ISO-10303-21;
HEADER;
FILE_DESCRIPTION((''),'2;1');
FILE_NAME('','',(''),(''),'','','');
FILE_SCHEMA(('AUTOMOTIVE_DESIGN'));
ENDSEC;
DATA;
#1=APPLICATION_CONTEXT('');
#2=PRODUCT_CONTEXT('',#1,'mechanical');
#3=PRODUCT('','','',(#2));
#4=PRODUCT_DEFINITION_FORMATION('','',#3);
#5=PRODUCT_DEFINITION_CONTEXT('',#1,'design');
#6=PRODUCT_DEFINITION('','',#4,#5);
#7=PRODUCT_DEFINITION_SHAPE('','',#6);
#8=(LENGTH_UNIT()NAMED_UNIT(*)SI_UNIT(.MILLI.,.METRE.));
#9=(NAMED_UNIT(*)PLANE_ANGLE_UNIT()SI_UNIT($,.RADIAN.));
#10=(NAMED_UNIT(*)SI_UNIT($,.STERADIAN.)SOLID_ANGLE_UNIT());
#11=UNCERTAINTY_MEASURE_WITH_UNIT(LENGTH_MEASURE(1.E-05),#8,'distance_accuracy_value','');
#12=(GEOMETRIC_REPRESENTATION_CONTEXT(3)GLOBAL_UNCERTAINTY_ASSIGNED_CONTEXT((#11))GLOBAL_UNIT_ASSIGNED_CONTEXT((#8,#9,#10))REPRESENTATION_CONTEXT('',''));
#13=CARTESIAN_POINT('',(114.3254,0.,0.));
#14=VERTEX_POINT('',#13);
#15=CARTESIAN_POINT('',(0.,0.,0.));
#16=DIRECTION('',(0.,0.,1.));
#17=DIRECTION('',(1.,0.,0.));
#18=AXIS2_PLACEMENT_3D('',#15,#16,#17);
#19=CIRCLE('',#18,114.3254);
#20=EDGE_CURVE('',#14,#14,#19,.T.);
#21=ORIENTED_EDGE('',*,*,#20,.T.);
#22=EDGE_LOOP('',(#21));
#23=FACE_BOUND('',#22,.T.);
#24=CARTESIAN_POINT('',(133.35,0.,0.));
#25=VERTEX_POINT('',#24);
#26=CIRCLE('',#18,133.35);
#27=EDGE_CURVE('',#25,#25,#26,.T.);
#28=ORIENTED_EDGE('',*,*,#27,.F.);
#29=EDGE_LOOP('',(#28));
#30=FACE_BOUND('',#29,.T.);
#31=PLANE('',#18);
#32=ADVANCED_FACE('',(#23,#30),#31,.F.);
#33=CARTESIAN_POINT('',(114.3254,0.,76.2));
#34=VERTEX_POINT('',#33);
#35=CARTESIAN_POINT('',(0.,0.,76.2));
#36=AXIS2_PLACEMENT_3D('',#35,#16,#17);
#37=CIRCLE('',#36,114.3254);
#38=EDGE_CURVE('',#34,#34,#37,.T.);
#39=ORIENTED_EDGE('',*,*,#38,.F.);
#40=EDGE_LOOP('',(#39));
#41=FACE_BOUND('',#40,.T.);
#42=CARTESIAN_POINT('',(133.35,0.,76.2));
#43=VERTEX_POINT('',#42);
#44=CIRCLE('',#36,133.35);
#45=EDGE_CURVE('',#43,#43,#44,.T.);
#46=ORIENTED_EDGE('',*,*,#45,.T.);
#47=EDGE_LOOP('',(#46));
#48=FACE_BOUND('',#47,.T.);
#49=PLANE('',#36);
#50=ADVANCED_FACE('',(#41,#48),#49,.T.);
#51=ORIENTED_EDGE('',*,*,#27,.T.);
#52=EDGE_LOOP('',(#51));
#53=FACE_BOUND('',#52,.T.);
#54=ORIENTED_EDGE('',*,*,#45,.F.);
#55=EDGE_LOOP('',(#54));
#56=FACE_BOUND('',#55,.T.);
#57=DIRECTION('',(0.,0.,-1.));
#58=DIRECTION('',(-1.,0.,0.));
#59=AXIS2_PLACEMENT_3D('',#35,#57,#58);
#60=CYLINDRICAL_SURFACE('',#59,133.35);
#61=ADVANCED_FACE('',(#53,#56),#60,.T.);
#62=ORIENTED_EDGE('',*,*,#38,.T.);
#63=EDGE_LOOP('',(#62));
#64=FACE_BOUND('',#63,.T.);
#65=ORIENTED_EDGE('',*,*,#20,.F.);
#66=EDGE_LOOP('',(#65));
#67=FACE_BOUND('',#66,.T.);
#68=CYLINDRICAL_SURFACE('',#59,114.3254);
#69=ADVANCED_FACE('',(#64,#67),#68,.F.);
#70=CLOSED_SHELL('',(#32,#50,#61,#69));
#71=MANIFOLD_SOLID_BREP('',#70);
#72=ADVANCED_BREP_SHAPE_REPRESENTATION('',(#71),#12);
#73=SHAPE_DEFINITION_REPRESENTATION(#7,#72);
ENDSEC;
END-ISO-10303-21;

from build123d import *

# Parameters (mm, degrees)
SKETCH1_R           = 133.35
BOSS_EXTRUDE1_DEPTH = 76.2
SKETCH2_R           = 114.3254
CUT_EXTRUDE1_DEPTH  = 76.2


with BuildPart() as part:
    # Sketch1 → Boss-Extrude1 (new body)
    with BuildSketch(Plane.XY):
        Circle(SKETCH1_R)
    extrude(amount=BOSS_EXTRUDE1_DEPTH)

    # Sketch2 → Cut-Extrude1 (cut)
    with BuildSketch(Plane.XY):
        Circle(SKETCH2_R)
    extrude(amount=CUT_EXTRUDE1_DEPTH, mode=Mode.SUBTRACT)


solid = part.part
